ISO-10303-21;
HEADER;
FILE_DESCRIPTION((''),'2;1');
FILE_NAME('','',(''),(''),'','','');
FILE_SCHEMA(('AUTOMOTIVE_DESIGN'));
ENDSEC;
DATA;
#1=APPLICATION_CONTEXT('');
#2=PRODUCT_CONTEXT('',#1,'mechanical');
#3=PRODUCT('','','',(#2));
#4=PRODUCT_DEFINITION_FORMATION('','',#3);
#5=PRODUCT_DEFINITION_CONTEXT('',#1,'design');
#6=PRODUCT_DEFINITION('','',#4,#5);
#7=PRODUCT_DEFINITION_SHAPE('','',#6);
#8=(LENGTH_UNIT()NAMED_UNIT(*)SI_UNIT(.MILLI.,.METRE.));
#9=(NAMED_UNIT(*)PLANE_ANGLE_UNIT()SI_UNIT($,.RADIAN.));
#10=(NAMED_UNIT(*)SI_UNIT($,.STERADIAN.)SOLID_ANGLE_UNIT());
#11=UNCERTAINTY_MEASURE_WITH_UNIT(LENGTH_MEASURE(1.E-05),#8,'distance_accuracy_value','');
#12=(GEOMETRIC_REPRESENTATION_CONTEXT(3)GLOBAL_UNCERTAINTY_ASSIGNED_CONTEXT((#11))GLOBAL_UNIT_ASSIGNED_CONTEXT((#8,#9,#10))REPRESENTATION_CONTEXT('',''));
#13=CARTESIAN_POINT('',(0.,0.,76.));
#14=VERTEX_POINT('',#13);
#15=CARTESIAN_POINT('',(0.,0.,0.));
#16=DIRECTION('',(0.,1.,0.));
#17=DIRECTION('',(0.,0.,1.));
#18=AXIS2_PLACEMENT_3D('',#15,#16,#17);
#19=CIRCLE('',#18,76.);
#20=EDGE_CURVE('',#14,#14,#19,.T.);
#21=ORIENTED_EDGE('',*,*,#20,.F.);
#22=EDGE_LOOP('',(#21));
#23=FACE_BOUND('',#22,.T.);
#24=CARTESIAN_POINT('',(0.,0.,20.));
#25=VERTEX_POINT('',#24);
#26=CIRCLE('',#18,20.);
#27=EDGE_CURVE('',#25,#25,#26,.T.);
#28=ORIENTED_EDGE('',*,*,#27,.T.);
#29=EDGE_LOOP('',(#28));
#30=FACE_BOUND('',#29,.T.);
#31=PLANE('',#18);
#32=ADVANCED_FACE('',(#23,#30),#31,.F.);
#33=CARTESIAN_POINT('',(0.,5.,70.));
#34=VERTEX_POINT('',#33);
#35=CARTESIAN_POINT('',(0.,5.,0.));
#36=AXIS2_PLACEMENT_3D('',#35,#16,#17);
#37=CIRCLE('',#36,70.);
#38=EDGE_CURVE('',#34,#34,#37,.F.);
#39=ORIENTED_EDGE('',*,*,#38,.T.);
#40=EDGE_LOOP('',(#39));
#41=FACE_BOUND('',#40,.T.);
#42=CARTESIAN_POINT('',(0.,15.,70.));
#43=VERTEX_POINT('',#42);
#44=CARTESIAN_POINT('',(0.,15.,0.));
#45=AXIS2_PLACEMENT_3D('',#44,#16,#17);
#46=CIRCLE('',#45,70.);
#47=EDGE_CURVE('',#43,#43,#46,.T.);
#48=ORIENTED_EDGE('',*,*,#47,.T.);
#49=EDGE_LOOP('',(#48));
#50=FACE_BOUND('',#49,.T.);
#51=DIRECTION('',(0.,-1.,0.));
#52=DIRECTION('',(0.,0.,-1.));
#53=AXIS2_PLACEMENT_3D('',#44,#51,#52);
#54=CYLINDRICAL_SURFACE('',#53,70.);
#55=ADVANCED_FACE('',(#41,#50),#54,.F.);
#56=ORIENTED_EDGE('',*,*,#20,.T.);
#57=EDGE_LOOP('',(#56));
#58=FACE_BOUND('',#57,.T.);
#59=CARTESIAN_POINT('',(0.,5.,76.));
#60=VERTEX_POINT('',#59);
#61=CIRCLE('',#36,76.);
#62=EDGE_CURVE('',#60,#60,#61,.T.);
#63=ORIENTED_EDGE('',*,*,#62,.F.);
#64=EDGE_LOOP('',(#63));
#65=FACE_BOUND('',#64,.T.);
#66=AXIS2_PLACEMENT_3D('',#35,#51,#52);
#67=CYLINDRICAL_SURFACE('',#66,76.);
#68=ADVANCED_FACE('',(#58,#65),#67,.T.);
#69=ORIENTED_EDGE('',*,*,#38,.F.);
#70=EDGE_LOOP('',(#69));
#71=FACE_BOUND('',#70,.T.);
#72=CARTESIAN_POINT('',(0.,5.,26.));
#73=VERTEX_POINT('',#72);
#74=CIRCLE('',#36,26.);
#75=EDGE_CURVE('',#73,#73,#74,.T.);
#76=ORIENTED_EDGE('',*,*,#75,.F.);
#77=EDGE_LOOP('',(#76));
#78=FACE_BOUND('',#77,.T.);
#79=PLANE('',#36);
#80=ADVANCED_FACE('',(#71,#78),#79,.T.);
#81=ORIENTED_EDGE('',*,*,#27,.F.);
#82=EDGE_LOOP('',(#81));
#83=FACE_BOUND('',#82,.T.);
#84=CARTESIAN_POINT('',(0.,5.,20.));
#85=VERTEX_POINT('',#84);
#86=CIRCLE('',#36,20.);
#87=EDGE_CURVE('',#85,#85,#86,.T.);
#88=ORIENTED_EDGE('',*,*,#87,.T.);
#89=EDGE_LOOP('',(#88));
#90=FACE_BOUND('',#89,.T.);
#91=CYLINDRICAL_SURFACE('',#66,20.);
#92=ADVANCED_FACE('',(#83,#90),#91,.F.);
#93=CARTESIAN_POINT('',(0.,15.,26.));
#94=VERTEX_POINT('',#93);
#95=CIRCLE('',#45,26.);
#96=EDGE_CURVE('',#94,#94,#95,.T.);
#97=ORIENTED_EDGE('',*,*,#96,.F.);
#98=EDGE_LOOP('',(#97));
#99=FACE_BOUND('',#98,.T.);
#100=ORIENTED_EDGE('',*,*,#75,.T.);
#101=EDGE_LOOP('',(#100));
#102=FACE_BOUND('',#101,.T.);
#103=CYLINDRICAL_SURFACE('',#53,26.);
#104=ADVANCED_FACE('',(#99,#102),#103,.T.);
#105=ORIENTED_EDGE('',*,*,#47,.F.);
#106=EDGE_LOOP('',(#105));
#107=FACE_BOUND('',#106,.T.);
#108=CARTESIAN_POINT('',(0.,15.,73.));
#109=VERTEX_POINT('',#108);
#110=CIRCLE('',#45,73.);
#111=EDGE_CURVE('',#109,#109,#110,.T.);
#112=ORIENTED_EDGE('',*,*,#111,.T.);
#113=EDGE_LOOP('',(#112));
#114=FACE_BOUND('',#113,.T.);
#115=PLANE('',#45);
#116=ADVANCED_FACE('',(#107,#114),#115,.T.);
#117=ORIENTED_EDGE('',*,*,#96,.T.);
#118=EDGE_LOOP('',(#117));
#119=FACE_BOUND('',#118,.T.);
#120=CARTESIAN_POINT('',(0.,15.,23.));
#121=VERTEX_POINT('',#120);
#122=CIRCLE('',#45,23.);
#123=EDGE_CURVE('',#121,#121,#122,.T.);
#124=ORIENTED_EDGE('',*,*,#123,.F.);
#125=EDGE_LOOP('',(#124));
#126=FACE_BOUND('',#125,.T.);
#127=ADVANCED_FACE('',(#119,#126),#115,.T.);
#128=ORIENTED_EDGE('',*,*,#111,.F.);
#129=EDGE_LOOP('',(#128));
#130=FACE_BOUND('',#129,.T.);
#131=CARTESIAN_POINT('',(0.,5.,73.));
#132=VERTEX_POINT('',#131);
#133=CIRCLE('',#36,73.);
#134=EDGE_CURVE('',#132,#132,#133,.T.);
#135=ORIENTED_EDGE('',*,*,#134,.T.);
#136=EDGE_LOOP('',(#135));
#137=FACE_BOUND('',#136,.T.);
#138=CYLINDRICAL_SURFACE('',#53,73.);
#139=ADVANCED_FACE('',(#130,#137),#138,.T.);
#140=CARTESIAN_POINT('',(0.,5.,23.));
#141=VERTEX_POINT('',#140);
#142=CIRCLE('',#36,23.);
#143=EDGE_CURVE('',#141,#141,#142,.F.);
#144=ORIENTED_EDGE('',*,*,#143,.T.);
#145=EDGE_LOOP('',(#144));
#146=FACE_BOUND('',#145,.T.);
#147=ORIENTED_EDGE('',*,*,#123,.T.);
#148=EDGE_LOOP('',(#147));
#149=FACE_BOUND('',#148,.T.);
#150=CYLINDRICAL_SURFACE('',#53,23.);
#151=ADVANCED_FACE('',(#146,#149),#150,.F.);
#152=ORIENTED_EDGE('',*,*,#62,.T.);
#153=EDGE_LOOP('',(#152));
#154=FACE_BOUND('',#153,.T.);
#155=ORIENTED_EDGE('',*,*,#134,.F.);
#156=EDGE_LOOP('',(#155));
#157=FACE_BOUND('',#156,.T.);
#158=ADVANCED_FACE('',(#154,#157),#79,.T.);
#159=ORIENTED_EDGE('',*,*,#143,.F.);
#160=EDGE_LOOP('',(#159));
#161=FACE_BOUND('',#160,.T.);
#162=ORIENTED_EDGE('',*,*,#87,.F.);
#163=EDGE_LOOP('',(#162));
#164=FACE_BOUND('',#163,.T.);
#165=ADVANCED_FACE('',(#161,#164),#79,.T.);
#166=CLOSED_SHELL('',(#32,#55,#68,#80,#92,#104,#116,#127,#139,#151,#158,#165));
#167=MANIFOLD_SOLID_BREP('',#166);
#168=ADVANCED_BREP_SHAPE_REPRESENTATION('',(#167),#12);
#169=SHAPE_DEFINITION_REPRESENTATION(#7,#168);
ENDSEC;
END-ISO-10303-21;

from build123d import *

# Parameters (mm, degrees)
SKETCH1_R           = 76
SKETCH1_R_2         = 20
BOSS_EXTRUDE1_DEPTH = 5
SKETCH2_R           = 73
SKETCH2_R_2         = 70
SKETCH2_R_3         = 26
SKETCH2_R_4         = 23
BOSS_EXTRUDE2_DEPTH = 10


with BuildPart() as part:
    # Sketch1 → Boss-Extrude1 (new body)
    with BuildSketch(Plane(origin=(0, 0, 0), x_dir=(1, 0, 0), z_dir=(0, 1, 0))):
        with Locations(Location((0, 0, 0), (0, 0, 270))):
            Circle(SKETCH1_R)
        with Locations(Location((0, 0, 0), (0, 0, 270))):
            Circle(SKETCH1_R_2, mode=Mode.SUBTRACT)
    extrude(amount=BOSS_EXTRUDE1_DEPTH)

    # Sketch2 → Boss-Extrude2 (add)
    # profile 1 of 2: a face of its own
    with BuildSketch(Plane(origin=(0, 5, 0), x_dir=(1, 0, 0), z_dir=(0, 1, 0))):
        with Locations(Location((0, 0, 0), (0, 0, 270))):
            Circle(SKETCH2_R)
        with Locations(Location((0, 0, 0), (0, 0, 270))):
            Circle(SKETCH2_R_2, mode=Mode.SUBTRACT)
    # profile 2 of 2: a face of its own
    with BuildSketch(Plane(origin=(0, 5, 0), x_dir=(1, 0, 0), z_dir=(0, 1, 0))):
        with Locations(Location((0, 0, 0), (0, 0, 270))):
            Circle(SKETCH2_R_3)
        with Locations(Location((0, 0, 0), (0, 0, 270))):
            Circle(SKETCH2_R_4, mode=Mode.SUBTRACT)
    extrude(amount=BOSS_EXTRUDE2_DEPTH)


solid = part.part
